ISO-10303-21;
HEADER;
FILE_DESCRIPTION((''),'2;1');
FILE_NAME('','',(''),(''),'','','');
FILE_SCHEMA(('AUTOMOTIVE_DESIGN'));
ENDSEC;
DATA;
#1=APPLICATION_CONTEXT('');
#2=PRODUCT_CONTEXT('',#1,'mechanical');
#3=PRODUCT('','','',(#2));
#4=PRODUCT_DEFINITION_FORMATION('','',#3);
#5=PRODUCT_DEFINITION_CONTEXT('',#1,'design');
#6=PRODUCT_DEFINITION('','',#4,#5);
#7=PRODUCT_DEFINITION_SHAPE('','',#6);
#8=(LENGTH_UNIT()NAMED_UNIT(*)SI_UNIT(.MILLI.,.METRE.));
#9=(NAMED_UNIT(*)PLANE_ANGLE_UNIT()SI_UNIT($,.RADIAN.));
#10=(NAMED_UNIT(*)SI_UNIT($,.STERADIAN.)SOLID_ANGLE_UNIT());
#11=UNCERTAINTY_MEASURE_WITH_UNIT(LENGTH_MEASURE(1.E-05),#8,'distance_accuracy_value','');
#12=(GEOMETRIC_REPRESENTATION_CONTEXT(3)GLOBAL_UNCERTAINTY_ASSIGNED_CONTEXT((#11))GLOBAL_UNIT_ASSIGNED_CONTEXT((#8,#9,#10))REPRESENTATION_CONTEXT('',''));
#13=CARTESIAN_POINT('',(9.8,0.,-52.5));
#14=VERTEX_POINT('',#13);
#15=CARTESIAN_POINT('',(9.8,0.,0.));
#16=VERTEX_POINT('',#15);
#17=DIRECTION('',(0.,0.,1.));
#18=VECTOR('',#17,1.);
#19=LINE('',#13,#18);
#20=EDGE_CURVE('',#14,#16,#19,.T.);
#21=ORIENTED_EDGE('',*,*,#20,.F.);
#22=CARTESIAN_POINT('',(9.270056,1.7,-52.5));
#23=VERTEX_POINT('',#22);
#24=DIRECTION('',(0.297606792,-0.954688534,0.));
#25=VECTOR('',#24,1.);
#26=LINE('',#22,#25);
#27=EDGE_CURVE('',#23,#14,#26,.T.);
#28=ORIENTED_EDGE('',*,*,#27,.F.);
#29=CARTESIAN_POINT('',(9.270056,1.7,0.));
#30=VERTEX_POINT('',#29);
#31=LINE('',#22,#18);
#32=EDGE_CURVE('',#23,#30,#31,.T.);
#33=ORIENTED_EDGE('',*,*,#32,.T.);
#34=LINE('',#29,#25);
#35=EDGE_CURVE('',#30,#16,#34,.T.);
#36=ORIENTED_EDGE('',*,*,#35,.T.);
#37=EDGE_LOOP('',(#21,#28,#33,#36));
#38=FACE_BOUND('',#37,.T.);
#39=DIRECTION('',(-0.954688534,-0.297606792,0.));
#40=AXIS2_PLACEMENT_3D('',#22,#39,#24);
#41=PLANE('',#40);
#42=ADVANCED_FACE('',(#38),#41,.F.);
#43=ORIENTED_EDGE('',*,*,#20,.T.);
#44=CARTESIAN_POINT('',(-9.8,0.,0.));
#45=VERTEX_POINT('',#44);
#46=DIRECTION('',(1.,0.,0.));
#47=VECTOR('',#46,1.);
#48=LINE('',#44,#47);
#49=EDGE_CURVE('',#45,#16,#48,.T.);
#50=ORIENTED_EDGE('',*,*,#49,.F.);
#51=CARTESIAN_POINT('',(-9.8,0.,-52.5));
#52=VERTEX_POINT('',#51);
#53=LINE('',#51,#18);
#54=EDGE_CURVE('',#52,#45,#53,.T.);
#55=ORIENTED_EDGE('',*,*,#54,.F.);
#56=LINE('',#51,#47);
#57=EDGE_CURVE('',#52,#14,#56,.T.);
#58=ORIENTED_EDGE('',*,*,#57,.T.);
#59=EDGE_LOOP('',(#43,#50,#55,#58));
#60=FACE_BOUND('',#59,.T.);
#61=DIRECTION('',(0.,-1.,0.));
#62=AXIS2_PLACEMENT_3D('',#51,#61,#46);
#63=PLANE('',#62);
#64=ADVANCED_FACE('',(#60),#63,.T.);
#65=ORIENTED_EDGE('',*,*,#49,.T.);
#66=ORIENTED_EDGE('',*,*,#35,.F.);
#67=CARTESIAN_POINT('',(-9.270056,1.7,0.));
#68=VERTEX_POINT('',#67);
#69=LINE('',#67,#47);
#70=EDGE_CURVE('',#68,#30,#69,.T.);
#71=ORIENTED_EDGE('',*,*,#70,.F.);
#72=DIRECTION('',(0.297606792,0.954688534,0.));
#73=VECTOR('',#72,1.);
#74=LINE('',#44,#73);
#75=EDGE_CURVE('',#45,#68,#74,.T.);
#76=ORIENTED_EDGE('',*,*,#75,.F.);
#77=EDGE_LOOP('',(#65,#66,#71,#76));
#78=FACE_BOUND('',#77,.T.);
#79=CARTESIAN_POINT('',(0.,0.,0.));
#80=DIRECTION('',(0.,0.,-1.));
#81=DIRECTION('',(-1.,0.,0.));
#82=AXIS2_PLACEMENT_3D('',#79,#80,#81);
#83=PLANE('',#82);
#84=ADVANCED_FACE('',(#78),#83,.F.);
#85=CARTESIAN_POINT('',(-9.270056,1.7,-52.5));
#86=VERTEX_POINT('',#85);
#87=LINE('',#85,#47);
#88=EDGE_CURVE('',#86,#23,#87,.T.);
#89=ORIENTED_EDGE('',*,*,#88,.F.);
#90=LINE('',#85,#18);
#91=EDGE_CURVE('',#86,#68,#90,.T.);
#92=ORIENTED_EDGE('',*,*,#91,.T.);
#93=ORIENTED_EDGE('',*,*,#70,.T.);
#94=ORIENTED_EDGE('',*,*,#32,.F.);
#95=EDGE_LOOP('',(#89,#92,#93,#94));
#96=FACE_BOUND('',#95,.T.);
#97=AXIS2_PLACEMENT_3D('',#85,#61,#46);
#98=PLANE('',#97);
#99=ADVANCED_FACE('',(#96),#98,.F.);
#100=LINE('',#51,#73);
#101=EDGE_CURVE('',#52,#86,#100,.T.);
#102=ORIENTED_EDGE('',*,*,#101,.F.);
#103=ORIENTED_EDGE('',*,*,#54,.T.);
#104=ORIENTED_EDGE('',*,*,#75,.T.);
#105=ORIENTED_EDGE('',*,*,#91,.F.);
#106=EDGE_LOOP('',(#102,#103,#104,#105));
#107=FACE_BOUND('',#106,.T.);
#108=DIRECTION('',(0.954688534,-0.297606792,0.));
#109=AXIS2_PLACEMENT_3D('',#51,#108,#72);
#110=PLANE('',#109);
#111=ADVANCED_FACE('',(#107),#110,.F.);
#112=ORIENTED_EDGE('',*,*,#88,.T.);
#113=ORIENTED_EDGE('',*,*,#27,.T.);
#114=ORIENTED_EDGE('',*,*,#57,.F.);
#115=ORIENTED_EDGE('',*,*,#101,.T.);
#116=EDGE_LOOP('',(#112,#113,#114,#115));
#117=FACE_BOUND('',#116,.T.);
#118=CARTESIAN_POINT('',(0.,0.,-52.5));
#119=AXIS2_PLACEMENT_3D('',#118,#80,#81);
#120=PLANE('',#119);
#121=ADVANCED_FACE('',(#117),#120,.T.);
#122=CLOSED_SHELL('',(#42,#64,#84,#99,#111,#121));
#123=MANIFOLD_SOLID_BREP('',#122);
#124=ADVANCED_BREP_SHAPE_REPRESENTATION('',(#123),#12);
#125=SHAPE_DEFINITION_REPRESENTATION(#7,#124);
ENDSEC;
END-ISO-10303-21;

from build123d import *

# Parameters (mm, degrees)
BOSS_EXTRUDE1_DEPTH = 52.5


with BuildPart() as part:
    # Sketch1 → Boss-Extrude1 (new body)
    with BuildSketch(Plane.XY):
        Polygon((-9.8, 0), (9.8, 0), (9.270055911, 1.7), (-9.270055911, 1.7), align=None)
    extrude(amount=-BOSS_EXTRUDE1_DEPTH)


solid = part.part
